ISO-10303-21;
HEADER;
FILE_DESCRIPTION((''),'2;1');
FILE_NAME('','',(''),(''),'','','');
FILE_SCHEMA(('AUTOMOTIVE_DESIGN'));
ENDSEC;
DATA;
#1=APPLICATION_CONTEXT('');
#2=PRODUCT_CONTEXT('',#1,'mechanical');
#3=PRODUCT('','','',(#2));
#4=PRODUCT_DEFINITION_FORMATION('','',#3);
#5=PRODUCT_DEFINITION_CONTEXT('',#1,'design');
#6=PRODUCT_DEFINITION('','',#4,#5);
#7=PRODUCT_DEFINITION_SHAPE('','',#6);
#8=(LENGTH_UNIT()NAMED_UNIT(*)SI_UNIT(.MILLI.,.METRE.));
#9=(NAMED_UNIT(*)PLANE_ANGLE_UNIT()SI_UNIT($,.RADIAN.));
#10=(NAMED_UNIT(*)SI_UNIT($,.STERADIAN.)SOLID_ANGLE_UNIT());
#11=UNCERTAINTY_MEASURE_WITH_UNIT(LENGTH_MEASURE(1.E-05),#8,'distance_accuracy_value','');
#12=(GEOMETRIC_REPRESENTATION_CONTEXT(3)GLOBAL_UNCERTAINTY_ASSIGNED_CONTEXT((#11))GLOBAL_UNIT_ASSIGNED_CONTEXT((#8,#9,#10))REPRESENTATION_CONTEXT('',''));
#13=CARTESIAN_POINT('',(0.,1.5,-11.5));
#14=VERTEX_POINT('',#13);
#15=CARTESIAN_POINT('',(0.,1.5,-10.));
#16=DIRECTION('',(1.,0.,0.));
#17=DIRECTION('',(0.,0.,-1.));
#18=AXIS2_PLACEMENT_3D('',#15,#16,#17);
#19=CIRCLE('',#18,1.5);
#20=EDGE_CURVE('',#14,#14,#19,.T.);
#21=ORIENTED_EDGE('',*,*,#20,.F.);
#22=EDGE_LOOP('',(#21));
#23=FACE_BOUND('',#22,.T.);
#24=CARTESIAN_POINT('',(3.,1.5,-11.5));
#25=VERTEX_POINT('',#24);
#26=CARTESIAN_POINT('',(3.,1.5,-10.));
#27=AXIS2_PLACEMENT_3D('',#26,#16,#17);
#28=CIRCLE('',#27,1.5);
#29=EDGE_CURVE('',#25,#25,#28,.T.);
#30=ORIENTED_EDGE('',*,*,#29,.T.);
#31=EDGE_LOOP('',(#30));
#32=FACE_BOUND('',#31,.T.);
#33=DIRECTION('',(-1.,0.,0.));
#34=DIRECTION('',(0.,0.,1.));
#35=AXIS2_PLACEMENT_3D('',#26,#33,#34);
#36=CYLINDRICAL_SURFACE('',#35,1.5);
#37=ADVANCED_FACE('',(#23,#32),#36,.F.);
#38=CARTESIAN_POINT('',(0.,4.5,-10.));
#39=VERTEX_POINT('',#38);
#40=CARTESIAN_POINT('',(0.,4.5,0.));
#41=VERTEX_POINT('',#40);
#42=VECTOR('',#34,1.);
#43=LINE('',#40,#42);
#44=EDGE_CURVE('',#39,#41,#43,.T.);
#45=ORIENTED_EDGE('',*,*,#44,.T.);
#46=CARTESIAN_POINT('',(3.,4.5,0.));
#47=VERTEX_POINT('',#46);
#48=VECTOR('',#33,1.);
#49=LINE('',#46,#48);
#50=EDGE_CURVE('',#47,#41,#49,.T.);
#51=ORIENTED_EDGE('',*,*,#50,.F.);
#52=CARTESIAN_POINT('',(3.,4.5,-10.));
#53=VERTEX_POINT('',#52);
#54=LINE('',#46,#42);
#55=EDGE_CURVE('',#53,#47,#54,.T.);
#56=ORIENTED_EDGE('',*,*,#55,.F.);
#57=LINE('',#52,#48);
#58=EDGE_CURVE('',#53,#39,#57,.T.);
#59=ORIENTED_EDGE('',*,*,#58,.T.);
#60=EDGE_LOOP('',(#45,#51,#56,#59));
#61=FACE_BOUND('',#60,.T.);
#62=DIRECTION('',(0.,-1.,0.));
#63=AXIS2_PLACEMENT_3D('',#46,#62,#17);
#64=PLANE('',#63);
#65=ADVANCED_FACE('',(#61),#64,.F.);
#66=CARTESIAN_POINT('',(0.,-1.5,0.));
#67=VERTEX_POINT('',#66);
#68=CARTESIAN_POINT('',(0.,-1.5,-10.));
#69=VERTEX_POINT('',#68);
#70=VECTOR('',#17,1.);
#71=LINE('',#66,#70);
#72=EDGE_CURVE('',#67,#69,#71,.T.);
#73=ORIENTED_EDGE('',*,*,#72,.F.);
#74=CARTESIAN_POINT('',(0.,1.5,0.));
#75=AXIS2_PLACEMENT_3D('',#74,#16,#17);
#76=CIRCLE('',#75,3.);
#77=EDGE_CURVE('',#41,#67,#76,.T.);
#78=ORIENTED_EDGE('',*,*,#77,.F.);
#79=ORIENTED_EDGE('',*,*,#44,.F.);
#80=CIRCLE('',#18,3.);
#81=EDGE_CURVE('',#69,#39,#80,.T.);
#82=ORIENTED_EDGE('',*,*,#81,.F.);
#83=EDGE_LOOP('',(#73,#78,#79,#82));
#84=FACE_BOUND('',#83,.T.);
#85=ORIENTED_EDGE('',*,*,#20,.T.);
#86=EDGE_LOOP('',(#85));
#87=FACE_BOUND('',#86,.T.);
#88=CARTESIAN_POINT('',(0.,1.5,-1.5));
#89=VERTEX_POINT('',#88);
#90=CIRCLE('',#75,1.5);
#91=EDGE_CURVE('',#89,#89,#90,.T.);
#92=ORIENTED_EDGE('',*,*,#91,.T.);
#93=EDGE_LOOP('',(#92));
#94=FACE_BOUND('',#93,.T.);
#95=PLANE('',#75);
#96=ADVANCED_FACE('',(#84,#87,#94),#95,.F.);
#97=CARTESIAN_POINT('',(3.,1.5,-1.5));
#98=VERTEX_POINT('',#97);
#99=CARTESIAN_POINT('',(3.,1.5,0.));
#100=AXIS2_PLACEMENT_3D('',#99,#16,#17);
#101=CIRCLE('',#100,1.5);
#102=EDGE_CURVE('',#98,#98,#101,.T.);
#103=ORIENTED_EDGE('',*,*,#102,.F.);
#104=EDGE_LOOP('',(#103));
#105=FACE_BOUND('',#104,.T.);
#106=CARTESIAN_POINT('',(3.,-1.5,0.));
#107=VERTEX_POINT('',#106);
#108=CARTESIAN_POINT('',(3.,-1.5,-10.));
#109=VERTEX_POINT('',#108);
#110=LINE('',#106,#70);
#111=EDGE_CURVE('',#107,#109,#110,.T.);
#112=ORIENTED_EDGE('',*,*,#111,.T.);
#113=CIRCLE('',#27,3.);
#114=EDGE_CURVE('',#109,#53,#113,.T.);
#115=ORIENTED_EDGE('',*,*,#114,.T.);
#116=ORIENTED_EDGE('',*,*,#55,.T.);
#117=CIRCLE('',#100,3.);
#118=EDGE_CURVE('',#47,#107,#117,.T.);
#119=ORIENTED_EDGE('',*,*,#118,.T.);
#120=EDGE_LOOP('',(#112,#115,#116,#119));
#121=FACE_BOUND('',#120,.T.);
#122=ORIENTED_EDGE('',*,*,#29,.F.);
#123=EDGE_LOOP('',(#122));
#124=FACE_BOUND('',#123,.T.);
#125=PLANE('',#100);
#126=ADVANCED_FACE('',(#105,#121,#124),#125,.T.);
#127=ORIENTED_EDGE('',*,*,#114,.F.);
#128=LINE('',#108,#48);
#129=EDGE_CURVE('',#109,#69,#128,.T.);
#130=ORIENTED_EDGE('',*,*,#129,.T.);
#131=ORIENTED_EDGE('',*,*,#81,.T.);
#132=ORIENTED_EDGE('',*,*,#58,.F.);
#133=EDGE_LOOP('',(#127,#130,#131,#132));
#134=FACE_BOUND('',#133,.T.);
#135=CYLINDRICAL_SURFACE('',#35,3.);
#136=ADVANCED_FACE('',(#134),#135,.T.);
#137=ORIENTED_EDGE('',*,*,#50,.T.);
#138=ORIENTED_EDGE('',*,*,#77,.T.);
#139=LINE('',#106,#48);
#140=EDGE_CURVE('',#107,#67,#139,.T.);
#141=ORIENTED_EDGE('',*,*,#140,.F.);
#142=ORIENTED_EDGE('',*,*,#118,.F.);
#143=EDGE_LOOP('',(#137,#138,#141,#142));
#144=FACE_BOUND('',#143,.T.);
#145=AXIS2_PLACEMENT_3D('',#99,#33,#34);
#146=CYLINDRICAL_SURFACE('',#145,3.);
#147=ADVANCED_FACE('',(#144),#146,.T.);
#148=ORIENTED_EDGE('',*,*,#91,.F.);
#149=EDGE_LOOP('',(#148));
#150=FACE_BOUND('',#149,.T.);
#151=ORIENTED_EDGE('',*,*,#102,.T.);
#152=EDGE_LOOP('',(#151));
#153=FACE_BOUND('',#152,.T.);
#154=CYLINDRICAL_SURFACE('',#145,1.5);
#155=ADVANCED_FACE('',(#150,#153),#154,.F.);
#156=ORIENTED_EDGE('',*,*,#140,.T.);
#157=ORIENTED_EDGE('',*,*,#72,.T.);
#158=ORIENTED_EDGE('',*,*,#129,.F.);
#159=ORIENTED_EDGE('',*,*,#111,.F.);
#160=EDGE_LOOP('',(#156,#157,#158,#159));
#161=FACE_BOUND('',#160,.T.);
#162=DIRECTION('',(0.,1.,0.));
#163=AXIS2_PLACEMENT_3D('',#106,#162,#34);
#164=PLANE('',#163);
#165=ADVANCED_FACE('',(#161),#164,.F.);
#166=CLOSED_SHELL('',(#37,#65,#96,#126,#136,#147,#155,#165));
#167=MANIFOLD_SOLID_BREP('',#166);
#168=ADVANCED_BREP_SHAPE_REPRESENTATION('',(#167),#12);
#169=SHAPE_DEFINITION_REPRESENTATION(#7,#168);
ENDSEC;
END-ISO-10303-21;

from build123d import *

# Parameters (mm, degrees)
SKETCH_1_R      = 1.5
EXTRUDE_1_DEPTH = 3


with BuildPart() as part:
    # 草图1 → 凸台-拉伸1 (new body)
    with BuildSketch(Plane(origin=(0, 0, 0), x_dir=(0, 0, -1), z_dir=(1, 0, 0))):
        with BuildLine():
            Line((0, 4.5), (10, 4.5))
            ThreePointArc((10, 4.5), (13, 1.5), (10, -1.5))
            Line((10, -1.5), (0, -1.5))
            ThreePointArc((0, -1.5), (-3, 1.5), (0, 4.5))
        make_face()
        with Locations((0, 1.5)):
            Circle(SKETCH_1_R, mode=Mode.SUBTRACT)
        with Locations((10, 1.5)):
            Circle(SKETCH_1_R, mode=Mode.SUBTRACT)
    extrude(amount=EXTRUDE_1_DEPTH)


solid = part.part
